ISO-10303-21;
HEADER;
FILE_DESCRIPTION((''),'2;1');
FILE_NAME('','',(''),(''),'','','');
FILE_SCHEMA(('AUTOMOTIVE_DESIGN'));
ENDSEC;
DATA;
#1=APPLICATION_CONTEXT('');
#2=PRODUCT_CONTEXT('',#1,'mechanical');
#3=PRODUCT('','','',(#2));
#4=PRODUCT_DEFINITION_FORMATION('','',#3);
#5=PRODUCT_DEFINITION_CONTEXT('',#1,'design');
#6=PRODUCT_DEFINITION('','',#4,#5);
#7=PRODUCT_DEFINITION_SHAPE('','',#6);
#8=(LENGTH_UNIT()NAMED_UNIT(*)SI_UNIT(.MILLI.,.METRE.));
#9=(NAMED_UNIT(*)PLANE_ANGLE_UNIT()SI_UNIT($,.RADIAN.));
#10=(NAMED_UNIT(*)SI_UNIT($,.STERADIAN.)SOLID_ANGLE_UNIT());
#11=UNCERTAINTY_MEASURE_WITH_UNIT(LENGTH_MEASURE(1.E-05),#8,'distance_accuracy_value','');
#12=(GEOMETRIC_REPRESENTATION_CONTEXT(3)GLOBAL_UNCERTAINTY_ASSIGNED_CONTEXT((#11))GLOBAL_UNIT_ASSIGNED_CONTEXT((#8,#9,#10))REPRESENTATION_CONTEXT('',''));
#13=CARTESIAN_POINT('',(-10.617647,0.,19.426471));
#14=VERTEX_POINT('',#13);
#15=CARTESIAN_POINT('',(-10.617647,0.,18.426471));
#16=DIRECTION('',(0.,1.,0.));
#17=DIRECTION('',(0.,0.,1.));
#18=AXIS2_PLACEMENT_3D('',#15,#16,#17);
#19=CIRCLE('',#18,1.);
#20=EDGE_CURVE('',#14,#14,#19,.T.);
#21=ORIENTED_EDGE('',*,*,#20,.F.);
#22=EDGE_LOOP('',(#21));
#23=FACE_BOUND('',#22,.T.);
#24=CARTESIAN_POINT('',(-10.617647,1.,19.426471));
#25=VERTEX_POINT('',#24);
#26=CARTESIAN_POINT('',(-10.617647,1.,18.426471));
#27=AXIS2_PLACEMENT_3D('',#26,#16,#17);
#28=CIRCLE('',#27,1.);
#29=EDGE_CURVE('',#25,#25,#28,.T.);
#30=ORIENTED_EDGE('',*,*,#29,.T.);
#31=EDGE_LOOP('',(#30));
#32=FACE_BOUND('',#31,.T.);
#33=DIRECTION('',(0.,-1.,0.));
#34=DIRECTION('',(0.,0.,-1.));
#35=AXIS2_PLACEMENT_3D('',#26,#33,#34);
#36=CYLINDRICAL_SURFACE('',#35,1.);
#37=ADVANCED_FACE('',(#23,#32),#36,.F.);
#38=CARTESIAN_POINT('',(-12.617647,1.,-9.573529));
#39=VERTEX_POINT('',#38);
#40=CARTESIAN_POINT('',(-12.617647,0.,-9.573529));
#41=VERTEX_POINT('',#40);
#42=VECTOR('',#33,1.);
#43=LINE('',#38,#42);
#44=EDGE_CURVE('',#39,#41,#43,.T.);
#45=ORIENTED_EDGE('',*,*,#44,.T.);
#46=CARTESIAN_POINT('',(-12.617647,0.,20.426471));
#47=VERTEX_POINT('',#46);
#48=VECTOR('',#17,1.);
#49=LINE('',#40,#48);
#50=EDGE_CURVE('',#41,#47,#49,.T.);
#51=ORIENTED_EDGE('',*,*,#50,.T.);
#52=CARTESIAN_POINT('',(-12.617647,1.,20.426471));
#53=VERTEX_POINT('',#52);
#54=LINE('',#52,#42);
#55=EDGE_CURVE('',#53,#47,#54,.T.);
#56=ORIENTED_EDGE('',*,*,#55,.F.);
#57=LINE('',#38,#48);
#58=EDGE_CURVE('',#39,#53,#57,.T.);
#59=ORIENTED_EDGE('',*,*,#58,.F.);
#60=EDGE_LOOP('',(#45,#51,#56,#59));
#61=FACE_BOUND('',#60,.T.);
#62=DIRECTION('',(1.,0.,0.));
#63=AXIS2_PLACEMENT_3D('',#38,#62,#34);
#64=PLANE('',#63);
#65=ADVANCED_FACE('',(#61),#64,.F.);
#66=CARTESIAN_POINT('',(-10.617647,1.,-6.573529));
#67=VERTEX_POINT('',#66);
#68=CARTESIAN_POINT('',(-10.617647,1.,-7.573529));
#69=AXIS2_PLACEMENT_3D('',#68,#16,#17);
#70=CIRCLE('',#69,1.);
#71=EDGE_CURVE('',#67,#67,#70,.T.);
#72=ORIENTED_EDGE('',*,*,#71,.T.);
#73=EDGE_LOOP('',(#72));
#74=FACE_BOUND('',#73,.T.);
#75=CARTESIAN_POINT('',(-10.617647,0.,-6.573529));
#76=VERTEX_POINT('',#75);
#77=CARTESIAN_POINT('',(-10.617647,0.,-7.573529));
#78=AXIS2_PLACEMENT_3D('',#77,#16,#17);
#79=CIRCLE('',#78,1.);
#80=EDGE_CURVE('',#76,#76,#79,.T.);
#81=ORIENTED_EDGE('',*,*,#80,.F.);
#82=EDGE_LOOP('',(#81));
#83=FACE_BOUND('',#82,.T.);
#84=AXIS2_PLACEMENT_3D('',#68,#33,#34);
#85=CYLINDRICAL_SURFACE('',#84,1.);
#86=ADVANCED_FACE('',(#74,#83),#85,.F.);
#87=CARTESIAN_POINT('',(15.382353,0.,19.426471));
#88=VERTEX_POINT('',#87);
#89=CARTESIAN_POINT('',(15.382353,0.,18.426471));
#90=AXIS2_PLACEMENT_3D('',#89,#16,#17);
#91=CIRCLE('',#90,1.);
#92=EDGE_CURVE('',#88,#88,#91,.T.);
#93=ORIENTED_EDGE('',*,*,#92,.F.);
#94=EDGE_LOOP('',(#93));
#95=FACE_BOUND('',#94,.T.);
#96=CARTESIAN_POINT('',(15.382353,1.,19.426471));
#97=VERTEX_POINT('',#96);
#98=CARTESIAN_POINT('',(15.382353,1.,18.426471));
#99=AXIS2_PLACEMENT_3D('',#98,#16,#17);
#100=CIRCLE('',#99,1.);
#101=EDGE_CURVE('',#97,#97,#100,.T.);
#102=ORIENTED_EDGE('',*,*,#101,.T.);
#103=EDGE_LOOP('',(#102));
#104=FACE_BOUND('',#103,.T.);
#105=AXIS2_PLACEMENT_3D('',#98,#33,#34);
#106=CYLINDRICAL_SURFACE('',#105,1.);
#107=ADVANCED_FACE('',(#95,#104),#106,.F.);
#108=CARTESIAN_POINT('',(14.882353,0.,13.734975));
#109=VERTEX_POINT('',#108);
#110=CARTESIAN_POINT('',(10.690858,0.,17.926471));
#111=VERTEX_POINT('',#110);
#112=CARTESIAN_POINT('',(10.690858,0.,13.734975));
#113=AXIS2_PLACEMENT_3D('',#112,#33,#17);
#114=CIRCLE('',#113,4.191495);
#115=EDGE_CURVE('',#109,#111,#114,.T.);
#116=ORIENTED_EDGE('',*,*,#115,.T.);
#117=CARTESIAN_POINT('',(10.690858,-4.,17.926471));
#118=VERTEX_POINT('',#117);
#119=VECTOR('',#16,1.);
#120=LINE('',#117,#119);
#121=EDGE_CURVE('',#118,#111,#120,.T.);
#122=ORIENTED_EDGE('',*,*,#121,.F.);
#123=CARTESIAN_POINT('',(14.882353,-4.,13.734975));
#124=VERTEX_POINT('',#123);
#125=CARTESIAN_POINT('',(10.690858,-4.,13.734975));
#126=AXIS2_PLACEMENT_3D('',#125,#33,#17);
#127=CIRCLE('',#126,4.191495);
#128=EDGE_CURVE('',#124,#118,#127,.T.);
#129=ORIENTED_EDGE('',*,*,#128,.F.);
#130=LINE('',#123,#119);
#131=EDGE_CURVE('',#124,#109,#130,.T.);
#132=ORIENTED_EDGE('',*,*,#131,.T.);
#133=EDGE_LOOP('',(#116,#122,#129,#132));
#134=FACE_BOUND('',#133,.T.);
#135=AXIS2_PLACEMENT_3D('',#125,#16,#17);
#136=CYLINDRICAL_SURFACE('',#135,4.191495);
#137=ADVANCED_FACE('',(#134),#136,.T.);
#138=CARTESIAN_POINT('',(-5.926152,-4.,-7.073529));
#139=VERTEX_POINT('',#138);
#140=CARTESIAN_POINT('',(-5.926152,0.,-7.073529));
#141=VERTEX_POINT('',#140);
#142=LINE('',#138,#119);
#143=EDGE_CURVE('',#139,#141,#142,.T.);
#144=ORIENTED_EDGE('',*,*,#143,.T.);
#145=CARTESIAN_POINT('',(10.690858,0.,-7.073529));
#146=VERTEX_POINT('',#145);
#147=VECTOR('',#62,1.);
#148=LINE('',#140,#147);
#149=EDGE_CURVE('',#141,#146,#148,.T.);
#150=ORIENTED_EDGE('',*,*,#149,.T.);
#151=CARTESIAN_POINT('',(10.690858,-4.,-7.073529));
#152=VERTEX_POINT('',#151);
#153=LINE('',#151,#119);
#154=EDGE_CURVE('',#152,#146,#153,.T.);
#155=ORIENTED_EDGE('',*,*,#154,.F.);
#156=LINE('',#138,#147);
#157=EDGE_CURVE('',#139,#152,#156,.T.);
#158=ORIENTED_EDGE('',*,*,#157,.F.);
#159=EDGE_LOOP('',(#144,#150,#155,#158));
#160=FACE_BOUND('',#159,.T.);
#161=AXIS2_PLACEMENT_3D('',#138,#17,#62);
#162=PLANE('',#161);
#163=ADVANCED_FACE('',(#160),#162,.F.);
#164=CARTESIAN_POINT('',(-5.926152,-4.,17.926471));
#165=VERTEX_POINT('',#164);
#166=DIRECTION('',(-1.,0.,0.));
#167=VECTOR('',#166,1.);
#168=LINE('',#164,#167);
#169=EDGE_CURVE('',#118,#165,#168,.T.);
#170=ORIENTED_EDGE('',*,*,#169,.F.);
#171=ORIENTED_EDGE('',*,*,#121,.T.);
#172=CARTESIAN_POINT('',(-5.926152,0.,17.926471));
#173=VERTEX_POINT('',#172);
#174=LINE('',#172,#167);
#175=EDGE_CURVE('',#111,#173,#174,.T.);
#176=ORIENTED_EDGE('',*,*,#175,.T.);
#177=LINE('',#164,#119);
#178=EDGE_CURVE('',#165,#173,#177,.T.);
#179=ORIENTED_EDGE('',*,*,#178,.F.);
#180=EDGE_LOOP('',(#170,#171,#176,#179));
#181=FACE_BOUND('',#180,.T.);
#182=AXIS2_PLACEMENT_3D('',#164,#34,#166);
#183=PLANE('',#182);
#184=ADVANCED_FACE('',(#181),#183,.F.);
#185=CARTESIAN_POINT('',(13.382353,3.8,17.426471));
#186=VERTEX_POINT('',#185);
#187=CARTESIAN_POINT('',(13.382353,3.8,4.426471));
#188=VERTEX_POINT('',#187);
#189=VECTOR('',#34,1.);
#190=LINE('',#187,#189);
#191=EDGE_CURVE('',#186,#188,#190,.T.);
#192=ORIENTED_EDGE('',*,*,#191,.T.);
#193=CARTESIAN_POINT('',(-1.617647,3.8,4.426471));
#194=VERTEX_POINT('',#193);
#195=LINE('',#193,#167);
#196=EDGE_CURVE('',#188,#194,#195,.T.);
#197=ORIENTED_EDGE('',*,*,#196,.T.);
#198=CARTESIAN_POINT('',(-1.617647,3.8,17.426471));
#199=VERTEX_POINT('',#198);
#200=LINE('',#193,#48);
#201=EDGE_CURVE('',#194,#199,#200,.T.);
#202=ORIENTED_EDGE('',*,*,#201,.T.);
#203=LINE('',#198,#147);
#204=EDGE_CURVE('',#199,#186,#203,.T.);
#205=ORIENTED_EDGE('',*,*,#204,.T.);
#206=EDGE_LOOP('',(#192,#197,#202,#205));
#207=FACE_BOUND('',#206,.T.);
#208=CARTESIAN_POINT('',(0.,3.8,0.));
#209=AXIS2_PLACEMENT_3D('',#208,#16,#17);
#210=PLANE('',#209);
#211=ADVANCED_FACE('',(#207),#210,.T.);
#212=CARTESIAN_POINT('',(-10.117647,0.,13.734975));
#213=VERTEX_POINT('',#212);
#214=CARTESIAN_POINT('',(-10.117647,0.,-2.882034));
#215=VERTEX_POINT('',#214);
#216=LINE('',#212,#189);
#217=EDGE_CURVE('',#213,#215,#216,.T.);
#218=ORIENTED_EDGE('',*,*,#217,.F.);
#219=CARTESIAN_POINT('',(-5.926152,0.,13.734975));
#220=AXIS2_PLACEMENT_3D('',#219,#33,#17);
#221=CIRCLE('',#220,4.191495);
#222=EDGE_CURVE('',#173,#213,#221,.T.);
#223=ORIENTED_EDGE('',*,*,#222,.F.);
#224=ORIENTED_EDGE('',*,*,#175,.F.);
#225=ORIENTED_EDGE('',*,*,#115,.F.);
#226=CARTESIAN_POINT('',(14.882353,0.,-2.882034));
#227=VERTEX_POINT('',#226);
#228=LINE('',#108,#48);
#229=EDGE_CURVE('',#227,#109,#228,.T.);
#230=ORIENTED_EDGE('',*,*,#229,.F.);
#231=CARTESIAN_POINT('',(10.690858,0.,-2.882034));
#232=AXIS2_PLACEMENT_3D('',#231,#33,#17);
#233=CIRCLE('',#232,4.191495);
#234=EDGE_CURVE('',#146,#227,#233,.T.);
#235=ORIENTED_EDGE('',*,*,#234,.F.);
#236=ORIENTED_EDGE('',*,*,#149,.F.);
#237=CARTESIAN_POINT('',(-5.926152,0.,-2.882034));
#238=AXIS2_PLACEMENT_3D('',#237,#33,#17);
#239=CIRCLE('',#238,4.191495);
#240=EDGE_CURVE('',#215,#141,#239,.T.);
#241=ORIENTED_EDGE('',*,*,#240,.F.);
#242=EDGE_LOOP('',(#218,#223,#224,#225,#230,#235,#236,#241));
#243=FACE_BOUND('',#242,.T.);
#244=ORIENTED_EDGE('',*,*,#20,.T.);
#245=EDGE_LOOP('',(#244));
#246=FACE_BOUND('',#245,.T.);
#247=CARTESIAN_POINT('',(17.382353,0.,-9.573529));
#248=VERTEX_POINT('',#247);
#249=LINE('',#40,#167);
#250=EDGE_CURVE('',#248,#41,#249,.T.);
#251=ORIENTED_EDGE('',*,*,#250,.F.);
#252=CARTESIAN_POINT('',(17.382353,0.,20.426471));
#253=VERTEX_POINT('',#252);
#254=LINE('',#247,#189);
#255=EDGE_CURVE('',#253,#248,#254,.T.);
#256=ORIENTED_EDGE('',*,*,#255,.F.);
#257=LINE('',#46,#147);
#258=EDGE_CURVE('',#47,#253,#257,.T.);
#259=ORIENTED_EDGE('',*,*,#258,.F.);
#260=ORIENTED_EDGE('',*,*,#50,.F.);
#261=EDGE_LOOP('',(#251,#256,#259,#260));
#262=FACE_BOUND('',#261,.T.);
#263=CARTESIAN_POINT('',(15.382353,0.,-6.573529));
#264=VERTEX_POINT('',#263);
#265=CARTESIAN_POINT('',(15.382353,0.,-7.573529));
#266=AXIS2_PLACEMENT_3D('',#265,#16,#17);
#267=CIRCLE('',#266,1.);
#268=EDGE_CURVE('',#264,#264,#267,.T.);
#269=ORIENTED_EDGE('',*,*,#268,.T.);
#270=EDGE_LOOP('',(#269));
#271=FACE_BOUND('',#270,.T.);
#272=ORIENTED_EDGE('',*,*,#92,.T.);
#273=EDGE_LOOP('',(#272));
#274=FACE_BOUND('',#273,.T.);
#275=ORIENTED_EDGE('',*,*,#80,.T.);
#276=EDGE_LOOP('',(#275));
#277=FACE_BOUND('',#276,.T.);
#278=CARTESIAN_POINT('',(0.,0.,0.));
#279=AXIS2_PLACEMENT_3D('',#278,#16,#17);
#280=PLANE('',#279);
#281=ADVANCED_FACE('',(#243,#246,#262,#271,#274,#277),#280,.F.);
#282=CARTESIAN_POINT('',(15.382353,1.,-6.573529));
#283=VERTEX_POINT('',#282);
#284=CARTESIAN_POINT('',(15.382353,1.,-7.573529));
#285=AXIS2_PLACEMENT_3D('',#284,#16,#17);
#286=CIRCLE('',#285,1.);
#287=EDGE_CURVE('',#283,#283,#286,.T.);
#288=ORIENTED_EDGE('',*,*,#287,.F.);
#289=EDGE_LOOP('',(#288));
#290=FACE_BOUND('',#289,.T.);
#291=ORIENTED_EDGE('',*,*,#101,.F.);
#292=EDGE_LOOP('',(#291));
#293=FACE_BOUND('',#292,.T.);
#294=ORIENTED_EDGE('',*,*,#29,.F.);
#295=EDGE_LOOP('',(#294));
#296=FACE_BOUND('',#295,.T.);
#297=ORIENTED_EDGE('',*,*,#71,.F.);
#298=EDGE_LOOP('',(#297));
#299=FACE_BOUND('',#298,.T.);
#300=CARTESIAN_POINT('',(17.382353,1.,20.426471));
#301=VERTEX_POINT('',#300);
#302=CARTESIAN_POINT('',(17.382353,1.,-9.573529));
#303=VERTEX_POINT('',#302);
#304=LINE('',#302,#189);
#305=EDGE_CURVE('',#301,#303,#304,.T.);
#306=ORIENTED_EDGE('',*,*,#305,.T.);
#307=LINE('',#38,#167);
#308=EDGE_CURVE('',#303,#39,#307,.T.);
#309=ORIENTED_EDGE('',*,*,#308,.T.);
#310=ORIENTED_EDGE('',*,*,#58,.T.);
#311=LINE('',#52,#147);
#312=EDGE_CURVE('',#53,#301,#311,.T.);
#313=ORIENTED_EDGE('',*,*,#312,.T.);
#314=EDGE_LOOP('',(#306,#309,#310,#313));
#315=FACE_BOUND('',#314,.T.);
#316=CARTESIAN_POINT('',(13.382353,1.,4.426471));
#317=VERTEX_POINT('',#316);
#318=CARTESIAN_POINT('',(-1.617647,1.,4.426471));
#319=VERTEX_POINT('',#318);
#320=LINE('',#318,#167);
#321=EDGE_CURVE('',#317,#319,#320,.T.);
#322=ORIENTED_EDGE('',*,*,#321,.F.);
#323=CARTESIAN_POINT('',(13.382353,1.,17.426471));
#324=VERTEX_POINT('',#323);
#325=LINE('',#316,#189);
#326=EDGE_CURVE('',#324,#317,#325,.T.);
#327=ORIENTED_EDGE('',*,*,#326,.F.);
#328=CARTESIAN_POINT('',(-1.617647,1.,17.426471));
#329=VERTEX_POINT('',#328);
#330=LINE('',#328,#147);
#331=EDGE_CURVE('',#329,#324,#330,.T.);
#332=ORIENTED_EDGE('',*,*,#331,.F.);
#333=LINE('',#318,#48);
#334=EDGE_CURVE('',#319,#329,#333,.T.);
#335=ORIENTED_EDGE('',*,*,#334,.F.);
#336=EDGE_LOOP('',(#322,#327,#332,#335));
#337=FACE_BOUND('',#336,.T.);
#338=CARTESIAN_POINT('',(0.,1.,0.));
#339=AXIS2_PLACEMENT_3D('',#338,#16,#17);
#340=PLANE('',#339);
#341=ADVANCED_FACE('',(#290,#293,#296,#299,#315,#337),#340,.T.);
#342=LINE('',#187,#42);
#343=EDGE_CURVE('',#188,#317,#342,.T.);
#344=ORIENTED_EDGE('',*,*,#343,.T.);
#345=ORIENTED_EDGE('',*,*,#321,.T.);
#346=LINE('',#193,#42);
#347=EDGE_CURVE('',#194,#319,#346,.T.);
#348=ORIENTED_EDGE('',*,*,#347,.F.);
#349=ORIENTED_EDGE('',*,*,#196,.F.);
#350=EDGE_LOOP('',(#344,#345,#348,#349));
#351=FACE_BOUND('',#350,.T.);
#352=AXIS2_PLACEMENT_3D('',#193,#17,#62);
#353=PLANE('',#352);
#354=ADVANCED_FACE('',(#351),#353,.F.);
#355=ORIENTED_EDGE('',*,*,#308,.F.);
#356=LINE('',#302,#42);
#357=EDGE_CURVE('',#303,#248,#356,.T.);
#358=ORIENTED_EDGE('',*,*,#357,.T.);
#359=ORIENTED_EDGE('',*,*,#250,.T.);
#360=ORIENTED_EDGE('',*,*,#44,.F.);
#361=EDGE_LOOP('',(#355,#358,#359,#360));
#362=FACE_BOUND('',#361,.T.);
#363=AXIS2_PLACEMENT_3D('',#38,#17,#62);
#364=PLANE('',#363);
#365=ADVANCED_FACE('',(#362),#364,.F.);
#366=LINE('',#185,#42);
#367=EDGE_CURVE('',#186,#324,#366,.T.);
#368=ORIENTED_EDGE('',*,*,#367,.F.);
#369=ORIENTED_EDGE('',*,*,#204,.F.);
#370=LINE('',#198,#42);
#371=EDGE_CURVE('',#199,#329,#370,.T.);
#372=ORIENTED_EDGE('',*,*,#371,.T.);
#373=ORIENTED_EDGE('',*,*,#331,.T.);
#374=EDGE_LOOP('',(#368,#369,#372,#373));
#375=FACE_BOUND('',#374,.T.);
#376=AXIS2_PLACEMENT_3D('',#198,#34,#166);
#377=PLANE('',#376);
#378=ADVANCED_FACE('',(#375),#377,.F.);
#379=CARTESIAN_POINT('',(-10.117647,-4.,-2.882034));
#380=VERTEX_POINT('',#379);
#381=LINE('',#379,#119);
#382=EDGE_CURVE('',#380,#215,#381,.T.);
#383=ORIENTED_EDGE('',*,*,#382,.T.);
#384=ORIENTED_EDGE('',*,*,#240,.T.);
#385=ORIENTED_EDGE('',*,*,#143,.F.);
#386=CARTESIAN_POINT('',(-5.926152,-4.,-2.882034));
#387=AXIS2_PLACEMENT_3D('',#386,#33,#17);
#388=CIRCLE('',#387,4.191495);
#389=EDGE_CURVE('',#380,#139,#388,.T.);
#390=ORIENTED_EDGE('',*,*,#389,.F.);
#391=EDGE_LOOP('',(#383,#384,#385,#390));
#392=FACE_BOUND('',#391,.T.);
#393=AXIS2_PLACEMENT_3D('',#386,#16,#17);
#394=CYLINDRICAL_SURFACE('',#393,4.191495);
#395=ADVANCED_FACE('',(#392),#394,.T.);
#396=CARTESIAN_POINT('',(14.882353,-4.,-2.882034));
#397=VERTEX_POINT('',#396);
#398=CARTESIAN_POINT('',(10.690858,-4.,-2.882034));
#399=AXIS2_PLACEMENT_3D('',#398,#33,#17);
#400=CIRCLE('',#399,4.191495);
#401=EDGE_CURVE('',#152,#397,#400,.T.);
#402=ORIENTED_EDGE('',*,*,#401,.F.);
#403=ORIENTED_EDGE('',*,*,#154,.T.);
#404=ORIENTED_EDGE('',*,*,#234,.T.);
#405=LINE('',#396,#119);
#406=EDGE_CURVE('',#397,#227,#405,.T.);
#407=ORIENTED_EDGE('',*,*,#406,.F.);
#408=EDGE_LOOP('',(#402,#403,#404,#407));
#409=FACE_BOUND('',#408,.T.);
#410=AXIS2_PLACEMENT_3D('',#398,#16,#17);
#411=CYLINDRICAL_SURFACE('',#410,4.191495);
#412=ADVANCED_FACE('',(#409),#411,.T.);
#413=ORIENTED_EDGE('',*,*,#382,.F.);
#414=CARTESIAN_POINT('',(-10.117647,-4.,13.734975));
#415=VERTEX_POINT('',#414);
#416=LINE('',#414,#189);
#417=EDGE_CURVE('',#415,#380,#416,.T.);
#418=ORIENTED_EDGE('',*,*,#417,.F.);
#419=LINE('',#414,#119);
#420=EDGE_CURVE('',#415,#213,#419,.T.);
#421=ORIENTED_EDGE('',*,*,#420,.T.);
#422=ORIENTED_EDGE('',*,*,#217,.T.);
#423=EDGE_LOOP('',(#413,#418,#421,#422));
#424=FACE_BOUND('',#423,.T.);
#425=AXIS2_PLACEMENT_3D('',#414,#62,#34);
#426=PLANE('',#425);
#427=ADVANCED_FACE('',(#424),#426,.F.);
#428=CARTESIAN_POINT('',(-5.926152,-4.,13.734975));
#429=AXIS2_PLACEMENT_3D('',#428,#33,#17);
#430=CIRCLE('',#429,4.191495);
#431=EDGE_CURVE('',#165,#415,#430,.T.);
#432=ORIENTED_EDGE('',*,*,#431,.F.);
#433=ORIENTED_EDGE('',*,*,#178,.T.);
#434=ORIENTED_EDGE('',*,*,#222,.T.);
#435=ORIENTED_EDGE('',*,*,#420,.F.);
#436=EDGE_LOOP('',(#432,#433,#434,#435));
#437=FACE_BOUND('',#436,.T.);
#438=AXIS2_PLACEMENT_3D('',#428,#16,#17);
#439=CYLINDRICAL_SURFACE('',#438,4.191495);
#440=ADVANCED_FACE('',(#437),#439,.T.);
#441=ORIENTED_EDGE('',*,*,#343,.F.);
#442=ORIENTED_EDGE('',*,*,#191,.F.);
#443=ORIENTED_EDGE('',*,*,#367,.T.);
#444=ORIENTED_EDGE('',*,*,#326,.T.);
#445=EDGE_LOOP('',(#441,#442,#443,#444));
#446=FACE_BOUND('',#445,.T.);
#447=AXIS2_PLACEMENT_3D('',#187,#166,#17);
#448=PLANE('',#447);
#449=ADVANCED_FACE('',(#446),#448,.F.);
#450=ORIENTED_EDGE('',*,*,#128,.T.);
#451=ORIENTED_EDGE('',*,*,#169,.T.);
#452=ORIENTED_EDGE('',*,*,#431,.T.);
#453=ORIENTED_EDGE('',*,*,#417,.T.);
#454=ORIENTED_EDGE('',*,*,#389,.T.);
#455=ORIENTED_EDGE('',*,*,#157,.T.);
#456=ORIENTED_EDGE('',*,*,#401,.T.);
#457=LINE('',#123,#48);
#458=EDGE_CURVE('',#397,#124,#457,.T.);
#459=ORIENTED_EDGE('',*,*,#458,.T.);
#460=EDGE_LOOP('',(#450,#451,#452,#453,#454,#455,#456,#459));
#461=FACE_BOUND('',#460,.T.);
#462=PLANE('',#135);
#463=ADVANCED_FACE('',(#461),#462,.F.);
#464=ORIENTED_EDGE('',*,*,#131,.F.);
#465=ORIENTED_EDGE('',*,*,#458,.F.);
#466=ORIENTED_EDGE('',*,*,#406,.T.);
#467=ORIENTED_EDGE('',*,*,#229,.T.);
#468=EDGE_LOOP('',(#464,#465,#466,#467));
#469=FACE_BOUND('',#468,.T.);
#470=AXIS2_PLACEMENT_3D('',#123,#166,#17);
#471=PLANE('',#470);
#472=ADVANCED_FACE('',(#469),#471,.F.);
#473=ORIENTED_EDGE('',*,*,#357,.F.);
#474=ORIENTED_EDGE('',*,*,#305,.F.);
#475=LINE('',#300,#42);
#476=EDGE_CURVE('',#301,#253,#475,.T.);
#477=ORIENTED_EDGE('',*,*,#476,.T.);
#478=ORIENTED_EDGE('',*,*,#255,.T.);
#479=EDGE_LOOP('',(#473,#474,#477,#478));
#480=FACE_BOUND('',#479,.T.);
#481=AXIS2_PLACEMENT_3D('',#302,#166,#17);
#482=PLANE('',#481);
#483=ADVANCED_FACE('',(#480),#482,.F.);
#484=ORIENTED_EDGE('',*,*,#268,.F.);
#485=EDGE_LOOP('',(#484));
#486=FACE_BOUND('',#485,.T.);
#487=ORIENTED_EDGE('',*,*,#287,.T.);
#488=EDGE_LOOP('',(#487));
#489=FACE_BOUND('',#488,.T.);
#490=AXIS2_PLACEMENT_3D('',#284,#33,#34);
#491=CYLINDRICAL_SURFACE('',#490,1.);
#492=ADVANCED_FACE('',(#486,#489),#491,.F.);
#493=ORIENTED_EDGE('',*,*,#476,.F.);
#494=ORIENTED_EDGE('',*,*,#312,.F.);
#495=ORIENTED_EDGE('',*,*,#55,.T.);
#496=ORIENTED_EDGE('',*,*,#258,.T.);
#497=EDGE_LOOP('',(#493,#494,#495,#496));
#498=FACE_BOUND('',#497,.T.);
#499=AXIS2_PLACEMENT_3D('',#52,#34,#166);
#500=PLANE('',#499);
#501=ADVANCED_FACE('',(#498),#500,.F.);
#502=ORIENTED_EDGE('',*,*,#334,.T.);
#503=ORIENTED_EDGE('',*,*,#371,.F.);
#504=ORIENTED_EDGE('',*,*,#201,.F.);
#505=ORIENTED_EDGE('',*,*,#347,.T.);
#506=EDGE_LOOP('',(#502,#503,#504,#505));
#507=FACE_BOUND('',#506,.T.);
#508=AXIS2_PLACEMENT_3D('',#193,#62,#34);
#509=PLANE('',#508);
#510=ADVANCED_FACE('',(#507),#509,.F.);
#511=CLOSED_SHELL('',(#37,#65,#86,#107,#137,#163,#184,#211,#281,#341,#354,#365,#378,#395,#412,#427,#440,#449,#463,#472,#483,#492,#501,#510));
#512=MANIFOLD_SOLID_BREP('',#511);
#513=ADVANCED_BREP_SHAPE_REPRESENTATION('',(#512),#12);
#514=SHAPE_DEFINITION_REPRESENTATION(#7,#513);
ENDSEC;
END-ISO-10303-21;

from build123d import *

# Parameters (mm, degrees)
SKETCH1_W           = 30
SKETCH1_H           = 30
SKETCH1_R           = 1
BOSS_EXTRUDE2_DEPTH = 1
SKETCH2_W           = 15
SKETCH2_H           = 13
BOSS_EXTRUDE3_DEPTH = 2.8
BOSS_EXTRUDE4_DEPTH = 4


with BuildPart() as part:
    # Sketch1 → Boss-Extrude2 (new body)
    with BuildSketch(Plane(origin=(0, 0, 0), x_dir=(1, 0, 0), z_dir=(0, 1, 0))):
        with Locations((2.382352941, -5.426470588)):
            Rectangle(SKETCH1_W, SKETCH1_H)
        with Locations(Location((-10.617647059, 7.573529412, 0), (0, 0, 270))):  # turned: the seam where the file's is
            Circle(SKETCH1_R, mode=Mode.SUBTRACT)
        with Locations(Location((15.382352941, 7.573529412, 0), (0, 0, 270))):  # turned: the seam where the file's is
            Circle(SKETCH1_R, mode=Mode.SUBTRACT)
        with Locations(Location((15.382352941, -18.426470588, 0), (0, 0, 270))):  # turned: the seam where the file's is
            Circle(SKETCH1_R, mode=Mode.SUBTRACT)
        with Locations(Location((-10.617647059, -18.426470588, 0), (0, 0, 270))):  # turned: the seam where the file's is
            Circle(SKETCH1_R, mode=Mode.SUBTRACT)
    extrude(amount=BOSS_EXTRUDE2_DEPTH)

    # Sketch2 → Boss-Extrude3 (add)
    with BuildSketch(Plane(origin=(0, 1, 0), x_dir=(1, 0, 0), z_dir=(0, 1, 0))):
        with Locations((5.882352941, -10.926470588)):
            Rectangle(SKETCH2_W, SKETCH2_H)
    extrude(amount=BOSS_EXTRUDE3_DEPTH)

    # Sketch3 → Boss-Extrude4 (add)
    with BuildSketch(Plane.XZ):
        with BuildLine():
            Line((-5.926151738, 17.926470588), (10.69085762, 17.926470588))
            ThreePointArc((10.69085762, 17.926470588), (13.654692385, 16.698810032), (14.882352941, 13.734975267))
            Line((14.882352941, 13.734975267), (14.882352941, -2.882034091))
            ThreePointArc((14.882352941, -2.882034091), (13.654692385, -5.845868856), (10.69085762, -7.073529412))
            Line((10.69085762, -7.073529412), (-5.926151738, -7.073529412))
            ThreePointArc((-5.926151738, -7.073529412), (-8.889986503, -5.845868856), (-10.117647059, -2.882034091))
            Line((-10.117647059, -2.882034091), (-10.117647059, 13.734975267))
            ThreePointArc((-10.117647059, 13.734975267), (-8.889986503, 16.698810032), (-5.926151738, 17.926470588))
        make_face()
    extrude(amount=BOSS_EXTRUDE4_DEPTH)


solid = part.part
